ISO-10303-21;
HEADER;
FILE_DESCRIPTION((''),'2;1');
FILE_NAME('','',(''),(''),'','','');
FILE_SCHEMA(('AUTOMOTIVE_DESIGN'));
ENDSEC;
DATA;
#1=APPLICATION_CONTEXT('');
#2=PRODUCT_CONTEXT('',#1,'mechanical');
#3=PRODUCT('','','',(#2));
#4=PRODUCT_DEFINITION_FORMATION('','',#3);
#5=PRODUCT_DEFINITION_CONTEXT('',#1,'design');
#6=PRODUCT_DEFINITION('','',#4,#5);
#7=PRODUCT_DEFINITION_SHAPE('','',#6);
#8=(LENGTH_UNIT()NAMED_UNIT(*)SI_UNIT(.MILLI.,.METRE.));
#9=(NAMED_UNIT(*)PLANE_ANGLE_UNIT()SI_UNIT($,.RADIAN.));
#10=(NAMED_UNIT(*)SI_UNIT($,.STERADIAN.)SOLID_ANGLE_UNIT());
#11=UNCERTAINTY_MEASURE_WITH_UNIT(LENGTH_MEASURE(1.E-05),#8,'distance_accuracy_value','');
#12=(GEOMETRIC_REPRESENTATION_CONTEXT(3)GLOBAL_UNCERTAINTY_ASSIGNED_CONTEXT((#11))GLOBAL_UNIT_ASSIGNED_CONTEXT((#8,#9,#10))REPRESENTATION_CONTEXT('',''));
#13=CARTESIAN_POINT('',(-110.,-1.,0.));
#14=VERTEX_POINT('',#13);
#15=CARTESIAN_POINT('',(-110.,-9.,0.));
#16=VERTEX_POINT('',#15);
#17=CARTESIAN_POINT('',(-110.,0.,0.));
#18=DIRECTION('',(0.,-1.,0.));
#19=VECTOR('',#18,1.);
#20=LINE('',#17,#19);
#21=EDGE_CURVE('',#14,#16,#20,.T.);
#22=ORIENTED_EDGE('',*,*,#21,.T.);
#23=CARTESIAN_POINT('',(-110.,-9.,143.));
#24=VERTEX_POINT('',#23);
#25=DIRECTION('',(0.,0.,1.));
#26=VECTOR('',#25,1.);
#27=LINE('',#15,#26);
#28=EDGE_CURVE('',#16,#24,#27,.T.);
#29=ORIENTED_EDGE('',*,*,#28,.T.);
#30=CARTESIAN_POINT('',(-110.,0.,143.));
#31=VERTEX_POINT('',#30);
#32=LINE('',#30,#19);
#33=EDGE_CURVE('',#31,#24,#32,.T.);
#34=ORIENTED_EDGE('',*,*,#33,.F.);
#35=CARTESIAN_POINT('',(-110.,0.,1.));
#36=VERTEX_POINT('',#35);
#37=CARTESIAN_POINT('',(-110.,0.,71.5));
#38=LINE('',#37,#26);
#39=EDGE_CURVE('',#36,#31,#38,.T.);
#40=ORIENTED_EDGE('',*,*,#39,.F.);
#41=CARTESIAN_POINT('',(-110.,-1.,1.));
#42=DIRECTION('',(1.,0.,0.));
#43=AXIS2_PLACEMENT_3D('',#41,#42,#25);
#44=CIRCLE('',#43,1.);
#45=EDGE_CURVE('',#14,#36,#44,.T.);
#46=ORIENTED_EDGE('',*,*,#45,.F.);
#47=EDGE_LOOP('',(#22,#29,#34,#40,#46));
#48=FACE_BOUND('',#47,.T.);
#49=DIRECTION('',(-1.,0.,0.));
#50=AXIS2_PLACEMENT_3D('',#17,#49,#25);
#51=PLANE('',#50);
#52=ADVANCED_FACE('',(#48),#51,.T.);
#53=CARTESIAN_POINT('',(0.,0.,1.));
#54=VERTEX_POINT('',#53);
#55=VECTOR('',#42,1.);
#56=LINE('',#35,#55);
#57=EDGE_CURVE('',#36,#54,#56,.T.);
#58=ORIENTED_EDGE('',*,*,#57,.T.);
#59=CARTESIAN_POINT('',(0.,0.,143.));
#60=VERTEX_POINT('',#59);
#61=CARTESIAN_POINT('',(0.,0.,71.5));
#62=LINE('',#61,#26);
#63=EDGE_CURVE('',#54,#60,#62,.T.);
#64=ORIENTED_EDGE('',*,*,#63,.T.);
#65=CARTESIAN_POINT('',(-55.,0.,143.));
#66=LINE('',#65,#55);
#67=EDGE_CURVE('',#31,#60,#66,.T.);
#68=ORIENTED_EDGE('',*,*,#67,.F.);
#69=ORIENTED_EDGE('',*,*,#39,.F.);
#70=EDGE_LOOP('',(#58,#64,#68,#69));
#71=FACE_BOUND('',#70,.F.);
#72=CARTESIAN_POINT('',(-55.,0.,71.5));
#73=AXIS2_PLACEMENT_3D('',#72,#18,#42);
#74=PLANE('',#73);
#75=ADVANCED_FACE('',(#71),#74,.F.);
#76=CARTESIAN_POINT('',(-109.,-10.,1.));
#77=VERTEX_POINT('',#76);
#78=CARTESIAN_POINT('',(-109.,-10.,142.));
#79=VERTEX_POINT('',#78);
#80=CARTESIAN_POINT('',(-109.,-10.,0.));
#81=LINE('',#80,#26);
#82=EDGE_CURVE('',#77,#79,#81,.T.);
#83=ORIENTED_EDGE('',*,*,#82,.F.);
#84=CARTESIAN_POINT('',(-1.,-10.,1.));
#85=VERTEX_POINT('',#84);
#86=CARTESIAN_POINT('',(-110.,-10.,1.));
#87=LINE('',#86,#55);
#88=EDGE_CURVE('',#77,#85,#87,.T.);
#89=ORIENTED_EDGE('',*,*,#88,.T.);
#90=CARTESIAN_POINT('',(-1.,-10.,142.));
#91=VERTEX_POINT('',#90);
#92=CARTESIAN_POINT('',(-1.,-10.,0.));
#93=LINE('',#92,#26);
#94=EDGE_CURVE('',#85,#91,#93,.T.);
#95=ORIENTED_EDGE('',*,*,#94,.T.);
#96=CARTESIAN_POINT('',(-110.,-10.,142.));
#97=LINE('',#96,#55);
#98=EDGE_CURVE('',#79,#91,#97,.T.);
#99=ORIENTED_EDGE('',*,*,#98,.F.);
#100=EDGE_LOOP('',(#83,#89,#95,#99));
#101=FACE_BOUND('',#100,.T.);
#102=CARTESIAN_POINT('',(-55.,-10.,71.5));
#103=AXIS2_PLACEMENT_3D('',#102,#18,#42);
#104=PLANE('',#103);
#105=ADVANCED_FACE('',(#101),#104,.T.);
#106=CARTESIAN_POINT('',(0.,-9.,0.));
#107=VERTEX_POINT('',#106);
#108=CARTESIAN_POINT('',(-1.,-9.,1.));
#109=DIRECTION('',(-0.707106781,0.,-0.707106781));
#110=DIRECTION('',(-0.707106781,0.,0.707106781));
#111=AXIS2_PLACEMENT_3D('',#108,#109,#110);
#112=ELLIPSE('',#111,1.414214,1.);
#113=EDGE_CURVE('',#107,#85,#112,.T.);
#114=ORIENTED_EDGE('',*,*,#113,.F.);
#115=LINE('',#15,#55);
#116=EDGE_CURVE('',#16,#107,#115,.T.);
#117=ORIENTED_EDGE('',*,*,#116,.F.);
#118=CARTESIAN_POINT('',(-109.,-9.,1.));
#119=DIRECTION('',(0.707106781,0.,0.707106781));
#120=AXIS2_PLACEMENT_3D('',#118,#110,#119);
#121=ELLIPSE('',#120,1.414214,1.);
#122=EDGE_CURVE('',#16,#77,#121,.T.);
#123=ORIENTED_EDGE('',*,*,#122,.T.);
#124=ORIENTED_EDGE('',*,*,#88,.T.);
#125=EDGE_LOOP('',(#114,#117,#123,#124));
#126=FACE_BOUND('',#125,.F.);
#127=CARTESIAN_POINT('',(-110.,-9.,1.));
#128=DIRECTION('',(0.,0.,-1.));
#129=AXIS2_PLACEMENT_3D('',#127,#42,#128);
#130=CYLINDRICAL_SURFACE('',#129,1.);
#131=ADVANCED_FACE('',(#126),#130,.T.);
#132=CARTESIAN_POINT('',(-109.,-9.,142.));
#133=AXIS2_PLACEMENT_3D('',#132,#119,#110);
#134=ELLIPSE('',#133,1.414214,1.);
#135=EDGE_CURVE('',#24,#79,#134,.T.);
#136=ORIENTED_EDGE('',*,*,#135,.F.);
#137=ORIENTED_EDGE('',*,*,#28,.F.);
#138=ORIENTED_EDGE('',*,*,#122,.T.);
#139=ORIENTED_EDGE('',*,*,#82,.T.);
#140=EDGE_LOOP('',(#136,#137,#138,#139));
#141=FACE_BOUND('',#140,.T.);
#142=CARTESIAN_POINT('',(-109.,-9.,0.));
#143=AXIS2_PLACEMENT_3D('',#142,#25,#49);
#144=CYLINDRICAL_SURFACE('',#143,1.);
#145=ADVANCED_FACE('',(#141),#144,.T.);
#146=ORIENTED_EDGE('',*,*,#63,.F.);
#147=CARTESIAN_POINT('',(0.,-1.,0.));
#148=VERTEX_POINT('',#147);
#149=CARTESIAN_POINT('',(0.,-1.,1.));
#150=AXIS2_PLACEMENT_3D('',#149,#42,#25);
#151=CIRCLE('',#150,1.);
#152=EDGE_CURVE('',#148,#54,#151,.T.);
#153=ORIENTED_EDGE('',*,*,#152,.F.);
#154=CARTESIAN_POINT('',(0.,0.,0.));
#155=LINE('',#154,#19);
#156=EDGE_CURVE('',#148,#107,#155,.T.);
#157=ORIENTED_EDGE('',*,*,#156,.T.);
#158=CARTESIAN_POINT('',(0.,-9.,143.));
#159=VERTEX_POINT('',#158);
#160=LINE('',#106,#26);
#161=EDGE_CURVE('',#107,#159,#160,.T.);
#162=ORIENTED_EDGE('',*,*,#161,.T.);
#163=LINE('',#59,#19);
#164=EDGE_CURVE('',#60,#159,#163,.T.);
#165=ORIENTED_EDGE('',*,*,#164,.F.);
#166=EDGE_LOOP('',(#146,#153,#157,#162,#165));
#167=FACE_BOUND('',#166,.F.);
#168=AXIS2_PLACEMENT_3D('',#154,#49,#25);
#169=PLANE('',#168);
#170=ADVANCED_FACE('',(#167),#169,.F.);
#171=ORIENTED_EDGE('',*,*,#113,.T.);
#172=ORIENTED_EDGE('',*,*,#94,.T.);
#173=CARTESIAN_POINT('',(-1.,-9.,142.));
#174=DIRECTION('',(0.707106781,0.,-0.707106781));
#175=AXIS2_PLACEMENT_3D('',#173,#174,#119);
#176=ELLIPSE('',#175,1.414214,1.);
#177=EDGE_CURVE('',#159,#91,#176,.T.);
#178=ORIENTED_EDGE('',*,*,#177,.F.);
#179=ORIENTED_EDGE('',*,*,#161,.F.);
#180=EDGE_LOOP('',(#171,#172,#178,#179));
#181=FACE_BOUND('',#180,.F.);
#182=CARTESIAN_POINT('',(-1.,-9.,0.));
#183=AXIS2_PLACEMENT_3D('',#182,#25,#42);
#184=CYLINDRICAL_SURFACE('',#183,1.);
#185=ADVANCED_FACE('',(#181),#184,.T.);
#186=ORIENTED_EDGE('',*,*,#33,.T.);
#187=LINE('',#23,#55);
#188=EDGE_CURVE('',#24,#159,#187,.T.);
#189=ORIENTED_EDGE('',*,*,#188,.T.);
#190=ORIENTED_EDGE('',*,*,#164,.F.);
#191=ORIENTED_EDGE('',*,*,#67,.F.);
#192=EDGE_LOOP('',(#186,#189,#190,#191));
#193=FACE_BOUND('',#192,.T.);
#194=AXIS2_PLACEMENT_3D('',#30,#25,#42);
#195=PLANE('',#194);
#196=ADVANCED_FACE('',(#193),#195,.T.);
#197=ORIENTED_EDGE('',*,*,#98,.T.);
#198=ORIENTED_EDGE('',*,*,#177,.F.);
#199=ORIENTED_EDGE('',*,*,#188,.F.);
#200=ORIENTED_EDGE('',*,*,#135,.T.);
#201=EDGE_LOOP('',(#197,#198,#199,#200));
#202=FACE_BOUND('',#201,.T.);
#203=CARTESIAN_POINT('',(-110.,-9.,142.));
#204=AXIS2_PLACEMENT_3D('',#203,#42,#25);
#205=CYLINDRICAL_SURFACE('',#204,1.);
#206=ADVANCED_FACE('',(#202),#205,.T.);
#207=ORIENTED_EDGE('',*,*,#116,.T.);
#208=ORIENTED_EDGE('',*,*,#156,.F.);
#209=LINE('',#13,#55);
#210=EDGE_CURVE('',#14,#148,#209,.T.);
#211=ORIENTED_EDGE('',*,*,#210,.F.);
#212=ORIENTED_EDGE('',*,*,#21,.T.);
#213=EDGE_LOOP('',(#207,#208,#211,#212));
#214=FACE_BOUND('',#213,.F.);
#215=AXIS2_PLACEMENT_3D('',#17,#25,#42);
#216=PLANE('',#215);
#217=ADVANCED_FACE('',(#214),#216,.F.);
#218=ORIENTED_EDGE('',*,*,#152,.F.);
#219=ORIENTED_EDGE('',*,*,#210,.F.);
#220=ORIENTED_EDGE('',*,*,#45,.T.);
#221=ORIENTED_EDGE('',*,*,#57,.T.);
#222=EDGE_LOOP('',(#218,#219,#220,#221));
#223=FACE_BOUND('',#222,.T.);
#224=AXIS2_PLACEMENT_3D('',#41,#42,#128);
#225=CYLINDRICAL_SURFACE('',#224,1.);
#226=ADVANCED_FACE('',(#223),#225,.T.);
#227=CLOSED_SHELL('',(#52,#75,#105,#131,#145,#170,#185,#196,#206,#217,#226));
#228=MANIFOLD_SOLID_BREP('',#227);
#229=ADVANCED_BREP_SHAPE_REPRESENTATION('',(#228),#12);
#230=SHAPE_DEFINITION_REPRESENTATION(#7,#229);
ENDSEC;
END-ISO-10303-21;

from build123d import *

# Parameters (mm, degrees)
F0_W     = 110
F0_H     = 143
F1_DEPTH = 10
F2_R     = 1


with BuildPart() as f1:
    # F0 (on Front) → F1 (new body)
    with BuildSketch(Plane.XZ):
        with Locations((-55, 71.5)):
            Rectangle(F0_W, F0_H)
    extrude(amount=F1_DEPTH)

    # F2
    f2_edges = [f1.edges().sort_by_distance(p)[0] for p in [
        (0, -10, 71.5),
        (-110, -10, 71.5),
        (-55, 0, 0),
        (-55, -10, 0),
        (-55, -10, 143),
    ]]
    fillet(f2_edges, radius=F2_R)


solid = f1.part
